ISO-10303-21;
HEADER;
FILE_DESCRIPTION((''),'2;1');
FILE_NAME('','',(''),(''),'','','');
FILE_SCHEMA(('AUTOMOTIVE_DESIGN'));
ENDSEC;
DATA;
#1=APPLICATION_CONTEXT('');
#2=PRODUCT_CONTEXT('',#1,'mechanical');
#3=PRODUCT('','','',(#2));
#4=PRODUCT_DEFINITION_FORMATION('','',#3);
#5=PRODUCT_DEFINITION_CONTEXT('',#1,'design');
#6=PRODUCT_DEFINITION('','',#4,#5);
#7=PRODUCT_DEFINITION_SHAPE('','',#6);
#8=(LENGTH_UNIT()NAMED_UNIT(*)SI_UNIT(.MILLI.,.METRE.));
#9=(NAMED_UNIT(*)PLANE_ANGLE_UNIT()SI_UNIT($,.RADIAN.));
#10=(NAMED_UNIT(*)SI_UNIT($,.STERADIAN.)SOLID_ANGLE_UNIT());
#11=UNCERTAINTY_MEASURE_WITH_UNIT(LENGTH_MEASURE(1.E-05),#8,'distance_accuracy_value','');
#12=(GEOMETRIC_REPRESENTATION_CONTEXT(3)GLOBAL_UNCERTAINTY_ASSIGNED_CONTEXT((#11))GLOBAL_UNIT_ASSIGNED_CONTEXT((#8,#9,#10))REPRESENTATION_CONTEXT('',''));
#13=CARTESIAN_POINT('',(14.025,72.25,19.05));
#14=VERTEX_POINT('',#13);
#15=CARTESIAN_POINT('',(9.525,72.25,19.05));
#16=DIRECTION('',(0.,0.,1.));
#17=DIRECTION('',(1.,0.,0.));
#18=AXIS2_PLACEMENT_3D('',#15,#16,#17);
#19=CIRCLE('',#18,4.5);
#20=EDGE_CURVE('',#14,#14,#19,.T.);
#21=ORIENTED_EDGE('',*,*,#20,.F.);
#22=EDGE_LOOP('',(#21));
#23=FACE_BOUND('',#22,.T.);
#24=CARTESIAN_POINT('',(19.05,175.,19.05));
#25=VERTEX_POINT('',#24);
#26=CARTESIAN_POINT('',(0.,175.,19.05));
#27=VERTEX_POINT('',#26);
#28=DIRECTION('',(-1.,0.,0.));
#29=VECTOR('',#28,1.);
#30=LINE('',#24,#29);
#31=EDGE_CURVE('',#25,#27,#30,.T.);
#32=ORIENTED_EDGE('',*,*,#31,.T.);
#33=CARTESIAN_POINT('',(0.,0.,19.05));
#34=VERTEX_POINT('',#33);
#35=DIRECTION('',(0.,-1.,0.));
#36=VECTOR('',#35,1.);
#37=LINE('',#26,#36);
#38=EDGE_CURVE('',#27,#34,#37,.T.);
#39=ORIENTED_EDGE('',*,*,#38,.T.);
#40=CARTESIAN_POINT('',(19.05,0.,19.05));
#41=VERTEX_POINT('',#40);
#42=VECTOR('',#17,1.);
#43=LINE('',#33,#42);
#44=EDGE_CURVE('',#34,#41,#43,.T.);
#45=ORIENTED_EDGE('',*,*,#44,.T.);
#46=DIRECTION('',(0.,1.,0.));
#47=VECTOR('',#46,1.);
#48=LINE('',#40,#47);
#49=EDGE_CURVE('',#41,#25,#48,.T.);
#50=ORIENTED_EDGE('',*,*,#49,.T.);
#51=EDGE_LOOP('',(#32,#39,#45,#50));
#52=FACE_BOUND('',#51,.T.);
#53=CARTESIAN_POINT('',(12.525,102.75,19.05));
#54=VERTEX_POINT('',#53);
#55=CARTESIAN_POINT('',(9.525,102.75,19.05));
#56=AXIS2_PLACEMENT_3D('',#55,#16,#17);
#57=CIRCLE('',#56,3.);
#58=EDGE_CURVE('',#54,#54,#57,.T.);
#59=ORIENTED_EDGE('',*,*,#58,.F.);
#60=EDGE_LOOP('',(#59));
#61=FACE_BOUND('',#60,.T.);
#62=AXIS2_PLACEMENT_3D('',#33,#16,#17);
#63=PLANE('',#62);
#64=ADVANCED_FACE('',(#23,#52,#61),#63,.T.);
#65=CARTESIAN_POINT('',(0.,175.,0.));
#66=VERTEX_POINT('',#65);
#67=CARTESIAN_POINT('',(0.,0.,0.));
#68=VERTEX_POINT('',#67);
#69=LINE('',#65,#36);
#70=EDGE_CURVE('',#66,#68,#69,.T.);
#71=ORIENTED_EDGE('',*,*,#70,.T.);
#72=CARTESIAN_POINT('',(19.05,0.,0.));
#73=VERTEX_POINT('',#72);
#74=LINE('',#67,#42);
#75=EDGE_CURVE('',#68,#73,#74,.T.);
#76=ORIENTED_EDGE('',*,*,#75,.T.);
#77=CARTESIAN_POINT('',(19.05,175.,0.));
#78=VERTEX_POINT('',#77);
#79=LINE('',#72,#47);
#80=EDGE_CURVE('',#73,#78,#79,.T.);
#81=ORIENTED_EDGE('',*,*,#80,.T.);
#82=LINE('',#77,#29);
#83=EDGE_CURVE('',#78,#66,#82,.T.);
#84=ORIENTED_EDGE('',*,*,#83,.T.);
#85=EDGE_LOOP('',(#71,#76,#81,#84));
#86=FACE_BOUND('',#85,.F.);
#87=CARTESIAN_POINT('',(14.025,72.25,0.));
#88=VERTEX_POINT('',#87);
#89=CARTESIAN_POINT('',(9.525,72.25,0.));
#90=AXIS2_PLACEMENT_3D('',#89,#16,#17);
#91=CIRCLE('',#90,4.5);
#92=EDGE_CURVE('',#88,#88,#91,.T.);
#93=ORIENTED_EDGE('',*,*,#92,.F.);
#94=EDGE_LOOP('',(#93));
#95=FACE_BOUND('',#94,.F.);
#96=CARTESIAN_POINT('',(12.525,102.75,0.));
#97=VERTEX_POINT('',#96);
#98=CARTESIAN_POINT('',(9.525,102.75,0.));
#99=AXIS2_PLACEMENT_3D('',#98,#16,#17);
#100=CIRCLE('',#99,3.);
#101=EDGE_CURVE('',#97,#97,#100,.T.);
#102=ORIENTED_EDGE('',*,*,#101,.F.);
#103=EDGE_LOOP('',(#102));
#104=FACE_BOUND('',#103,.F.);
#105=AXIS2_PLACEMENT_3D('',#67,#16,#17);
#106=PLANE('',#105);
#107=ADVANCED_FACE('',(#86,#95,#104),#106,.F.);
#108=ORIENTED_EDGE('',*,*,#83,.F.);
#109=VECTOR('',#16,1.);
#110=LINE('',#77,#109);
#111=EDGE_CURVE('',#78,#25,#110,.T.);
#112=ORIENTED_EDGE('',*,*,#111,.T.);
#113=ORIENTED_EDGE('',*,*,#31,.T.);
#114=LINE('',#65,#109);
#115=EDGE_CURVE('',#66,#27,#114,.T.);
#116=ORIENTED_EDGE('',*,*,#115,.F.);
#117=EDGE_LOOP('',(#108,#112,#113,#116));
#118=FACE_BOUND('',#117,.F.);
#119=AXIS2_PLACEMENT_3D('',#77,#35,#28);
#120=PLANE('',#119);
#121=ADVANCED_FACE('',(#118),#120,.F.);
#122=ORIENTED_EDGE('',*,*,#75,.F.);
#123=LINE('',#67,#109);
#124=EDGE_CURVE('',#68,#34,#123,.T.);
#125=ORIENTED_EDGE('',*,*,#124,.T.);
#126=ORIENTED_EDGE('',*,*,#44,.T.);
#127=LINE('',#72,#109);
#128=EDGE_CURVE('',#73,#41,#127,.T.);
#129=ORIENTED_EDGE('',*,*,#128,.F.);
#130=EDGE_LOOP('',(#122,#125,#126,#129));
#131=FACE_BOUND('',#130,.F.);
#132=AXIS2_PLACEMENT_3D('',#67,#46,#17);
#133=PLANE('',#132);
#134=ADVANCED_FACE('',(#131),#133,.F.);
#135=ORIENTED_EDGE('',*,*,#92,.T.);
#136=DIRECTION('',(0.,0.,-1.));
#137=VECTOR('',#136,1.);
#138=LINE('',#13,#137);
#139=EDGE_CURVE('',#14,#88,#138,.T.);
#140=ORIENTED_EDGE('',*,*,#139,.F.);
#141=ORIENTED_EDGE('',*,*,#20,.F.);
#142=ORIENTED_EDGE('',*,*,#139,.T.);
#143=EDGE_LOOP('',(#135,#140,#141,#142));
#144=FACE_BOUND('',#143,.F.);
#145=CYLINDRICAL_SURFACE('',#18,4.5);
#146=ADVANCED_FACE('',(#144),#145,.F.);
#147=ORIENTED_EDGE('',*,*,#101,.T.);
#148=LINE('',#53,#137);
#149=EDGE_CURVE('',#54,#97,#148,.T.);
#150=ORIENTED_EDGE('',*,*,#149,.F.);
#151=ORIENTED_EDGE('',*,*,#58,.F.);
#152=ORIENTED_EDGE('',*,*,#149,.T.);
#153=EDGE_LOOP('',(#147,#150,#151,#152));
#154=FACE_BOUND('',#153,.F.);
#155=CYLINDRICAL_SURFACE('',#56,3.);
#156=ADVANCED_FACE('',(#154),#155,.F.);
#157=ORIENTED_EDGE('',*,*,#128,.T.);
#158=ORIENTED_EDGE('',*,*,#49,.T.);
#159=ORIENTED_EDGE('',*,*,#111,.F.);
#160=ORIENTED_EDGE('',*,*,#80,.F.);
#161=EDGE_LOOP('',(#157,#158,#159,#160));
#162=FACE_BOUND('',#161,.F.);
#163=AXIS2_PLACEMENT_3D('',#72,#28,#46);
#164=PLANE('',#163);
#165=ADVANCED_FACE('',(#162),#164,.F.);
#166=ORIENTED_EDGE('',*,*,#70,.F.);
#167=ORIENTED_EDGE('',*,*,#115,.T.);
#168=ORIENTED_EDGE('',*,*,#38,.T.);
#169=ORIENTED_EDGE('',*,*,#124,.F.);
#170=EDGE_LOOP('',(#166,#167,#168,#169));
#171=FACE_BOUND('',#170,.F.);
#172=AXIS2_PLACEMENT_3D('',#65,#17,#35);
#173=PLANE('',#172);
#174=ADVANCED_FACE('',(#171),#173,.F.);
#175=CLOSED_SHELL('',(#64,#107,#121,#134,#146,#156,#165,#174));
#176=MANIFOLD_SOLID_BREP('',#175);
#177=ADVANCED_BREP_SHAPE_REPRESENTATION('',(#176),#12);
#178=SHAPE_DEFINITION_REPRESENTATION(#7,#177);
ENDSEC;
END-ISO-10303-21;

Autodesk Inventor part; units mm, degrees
ref_plane "YZ Plane" through (0, 0, 0) normal (1, 0, 0) x (0, 1, 0)
ref_plane "XZ Plane" through (0, 0, 0) normal (0, 1, 0) x (-1, 0, 0)
ref_plane "XY Plane" through (0, 0, 0) normal (0, 0, 1) x (1, 0, 0)
sketch "Sketch1" plane through (0, 0, 0) normal (0, 0, 1) x (1, 0, 0)
  line L0 (0, 0) -> (19.05, 0)
  line L1 (19.05, 0) -> (19.05, 175)
  line L2 (19.05, 175) -> (0, 175)
  line L3 (0, 175) -> (0, 0)
  dimension "d0" = 19.05
  dimension "d1" = 175
extrude "Extrusion1" add sketch "Sketch1" along normal blind 19.05
sketch "Sketch3" plane through (0, 0, 19.05) normal (0, 0, 1) x (1, 0, 0)
  line L0 (9.525, 72.25) -> (9.525, 102.75) construction
  circle A0 centre (9.525, 102.75) radius 3
  circle A1 centre (9.525, 72.25) radius 4.5
  line L1 (19.05, 0) -> (19.05, 175) projected
  line L2 (19.05, 175) -> (0, 175) projected
  point P0 (0, 0)
  point P1 (19.05, 87.5)
  point P2 (9.525, 87.5)
  point P3 (9.525, 175)
  dimension "d7" = 30.5
  dimension "d8" = 6
  dimension "d9" = 9
extrude "Extrusion3" cut sketch "Sketch3" against normal through all
properties part number "C010" material "Wood (Birch)"
